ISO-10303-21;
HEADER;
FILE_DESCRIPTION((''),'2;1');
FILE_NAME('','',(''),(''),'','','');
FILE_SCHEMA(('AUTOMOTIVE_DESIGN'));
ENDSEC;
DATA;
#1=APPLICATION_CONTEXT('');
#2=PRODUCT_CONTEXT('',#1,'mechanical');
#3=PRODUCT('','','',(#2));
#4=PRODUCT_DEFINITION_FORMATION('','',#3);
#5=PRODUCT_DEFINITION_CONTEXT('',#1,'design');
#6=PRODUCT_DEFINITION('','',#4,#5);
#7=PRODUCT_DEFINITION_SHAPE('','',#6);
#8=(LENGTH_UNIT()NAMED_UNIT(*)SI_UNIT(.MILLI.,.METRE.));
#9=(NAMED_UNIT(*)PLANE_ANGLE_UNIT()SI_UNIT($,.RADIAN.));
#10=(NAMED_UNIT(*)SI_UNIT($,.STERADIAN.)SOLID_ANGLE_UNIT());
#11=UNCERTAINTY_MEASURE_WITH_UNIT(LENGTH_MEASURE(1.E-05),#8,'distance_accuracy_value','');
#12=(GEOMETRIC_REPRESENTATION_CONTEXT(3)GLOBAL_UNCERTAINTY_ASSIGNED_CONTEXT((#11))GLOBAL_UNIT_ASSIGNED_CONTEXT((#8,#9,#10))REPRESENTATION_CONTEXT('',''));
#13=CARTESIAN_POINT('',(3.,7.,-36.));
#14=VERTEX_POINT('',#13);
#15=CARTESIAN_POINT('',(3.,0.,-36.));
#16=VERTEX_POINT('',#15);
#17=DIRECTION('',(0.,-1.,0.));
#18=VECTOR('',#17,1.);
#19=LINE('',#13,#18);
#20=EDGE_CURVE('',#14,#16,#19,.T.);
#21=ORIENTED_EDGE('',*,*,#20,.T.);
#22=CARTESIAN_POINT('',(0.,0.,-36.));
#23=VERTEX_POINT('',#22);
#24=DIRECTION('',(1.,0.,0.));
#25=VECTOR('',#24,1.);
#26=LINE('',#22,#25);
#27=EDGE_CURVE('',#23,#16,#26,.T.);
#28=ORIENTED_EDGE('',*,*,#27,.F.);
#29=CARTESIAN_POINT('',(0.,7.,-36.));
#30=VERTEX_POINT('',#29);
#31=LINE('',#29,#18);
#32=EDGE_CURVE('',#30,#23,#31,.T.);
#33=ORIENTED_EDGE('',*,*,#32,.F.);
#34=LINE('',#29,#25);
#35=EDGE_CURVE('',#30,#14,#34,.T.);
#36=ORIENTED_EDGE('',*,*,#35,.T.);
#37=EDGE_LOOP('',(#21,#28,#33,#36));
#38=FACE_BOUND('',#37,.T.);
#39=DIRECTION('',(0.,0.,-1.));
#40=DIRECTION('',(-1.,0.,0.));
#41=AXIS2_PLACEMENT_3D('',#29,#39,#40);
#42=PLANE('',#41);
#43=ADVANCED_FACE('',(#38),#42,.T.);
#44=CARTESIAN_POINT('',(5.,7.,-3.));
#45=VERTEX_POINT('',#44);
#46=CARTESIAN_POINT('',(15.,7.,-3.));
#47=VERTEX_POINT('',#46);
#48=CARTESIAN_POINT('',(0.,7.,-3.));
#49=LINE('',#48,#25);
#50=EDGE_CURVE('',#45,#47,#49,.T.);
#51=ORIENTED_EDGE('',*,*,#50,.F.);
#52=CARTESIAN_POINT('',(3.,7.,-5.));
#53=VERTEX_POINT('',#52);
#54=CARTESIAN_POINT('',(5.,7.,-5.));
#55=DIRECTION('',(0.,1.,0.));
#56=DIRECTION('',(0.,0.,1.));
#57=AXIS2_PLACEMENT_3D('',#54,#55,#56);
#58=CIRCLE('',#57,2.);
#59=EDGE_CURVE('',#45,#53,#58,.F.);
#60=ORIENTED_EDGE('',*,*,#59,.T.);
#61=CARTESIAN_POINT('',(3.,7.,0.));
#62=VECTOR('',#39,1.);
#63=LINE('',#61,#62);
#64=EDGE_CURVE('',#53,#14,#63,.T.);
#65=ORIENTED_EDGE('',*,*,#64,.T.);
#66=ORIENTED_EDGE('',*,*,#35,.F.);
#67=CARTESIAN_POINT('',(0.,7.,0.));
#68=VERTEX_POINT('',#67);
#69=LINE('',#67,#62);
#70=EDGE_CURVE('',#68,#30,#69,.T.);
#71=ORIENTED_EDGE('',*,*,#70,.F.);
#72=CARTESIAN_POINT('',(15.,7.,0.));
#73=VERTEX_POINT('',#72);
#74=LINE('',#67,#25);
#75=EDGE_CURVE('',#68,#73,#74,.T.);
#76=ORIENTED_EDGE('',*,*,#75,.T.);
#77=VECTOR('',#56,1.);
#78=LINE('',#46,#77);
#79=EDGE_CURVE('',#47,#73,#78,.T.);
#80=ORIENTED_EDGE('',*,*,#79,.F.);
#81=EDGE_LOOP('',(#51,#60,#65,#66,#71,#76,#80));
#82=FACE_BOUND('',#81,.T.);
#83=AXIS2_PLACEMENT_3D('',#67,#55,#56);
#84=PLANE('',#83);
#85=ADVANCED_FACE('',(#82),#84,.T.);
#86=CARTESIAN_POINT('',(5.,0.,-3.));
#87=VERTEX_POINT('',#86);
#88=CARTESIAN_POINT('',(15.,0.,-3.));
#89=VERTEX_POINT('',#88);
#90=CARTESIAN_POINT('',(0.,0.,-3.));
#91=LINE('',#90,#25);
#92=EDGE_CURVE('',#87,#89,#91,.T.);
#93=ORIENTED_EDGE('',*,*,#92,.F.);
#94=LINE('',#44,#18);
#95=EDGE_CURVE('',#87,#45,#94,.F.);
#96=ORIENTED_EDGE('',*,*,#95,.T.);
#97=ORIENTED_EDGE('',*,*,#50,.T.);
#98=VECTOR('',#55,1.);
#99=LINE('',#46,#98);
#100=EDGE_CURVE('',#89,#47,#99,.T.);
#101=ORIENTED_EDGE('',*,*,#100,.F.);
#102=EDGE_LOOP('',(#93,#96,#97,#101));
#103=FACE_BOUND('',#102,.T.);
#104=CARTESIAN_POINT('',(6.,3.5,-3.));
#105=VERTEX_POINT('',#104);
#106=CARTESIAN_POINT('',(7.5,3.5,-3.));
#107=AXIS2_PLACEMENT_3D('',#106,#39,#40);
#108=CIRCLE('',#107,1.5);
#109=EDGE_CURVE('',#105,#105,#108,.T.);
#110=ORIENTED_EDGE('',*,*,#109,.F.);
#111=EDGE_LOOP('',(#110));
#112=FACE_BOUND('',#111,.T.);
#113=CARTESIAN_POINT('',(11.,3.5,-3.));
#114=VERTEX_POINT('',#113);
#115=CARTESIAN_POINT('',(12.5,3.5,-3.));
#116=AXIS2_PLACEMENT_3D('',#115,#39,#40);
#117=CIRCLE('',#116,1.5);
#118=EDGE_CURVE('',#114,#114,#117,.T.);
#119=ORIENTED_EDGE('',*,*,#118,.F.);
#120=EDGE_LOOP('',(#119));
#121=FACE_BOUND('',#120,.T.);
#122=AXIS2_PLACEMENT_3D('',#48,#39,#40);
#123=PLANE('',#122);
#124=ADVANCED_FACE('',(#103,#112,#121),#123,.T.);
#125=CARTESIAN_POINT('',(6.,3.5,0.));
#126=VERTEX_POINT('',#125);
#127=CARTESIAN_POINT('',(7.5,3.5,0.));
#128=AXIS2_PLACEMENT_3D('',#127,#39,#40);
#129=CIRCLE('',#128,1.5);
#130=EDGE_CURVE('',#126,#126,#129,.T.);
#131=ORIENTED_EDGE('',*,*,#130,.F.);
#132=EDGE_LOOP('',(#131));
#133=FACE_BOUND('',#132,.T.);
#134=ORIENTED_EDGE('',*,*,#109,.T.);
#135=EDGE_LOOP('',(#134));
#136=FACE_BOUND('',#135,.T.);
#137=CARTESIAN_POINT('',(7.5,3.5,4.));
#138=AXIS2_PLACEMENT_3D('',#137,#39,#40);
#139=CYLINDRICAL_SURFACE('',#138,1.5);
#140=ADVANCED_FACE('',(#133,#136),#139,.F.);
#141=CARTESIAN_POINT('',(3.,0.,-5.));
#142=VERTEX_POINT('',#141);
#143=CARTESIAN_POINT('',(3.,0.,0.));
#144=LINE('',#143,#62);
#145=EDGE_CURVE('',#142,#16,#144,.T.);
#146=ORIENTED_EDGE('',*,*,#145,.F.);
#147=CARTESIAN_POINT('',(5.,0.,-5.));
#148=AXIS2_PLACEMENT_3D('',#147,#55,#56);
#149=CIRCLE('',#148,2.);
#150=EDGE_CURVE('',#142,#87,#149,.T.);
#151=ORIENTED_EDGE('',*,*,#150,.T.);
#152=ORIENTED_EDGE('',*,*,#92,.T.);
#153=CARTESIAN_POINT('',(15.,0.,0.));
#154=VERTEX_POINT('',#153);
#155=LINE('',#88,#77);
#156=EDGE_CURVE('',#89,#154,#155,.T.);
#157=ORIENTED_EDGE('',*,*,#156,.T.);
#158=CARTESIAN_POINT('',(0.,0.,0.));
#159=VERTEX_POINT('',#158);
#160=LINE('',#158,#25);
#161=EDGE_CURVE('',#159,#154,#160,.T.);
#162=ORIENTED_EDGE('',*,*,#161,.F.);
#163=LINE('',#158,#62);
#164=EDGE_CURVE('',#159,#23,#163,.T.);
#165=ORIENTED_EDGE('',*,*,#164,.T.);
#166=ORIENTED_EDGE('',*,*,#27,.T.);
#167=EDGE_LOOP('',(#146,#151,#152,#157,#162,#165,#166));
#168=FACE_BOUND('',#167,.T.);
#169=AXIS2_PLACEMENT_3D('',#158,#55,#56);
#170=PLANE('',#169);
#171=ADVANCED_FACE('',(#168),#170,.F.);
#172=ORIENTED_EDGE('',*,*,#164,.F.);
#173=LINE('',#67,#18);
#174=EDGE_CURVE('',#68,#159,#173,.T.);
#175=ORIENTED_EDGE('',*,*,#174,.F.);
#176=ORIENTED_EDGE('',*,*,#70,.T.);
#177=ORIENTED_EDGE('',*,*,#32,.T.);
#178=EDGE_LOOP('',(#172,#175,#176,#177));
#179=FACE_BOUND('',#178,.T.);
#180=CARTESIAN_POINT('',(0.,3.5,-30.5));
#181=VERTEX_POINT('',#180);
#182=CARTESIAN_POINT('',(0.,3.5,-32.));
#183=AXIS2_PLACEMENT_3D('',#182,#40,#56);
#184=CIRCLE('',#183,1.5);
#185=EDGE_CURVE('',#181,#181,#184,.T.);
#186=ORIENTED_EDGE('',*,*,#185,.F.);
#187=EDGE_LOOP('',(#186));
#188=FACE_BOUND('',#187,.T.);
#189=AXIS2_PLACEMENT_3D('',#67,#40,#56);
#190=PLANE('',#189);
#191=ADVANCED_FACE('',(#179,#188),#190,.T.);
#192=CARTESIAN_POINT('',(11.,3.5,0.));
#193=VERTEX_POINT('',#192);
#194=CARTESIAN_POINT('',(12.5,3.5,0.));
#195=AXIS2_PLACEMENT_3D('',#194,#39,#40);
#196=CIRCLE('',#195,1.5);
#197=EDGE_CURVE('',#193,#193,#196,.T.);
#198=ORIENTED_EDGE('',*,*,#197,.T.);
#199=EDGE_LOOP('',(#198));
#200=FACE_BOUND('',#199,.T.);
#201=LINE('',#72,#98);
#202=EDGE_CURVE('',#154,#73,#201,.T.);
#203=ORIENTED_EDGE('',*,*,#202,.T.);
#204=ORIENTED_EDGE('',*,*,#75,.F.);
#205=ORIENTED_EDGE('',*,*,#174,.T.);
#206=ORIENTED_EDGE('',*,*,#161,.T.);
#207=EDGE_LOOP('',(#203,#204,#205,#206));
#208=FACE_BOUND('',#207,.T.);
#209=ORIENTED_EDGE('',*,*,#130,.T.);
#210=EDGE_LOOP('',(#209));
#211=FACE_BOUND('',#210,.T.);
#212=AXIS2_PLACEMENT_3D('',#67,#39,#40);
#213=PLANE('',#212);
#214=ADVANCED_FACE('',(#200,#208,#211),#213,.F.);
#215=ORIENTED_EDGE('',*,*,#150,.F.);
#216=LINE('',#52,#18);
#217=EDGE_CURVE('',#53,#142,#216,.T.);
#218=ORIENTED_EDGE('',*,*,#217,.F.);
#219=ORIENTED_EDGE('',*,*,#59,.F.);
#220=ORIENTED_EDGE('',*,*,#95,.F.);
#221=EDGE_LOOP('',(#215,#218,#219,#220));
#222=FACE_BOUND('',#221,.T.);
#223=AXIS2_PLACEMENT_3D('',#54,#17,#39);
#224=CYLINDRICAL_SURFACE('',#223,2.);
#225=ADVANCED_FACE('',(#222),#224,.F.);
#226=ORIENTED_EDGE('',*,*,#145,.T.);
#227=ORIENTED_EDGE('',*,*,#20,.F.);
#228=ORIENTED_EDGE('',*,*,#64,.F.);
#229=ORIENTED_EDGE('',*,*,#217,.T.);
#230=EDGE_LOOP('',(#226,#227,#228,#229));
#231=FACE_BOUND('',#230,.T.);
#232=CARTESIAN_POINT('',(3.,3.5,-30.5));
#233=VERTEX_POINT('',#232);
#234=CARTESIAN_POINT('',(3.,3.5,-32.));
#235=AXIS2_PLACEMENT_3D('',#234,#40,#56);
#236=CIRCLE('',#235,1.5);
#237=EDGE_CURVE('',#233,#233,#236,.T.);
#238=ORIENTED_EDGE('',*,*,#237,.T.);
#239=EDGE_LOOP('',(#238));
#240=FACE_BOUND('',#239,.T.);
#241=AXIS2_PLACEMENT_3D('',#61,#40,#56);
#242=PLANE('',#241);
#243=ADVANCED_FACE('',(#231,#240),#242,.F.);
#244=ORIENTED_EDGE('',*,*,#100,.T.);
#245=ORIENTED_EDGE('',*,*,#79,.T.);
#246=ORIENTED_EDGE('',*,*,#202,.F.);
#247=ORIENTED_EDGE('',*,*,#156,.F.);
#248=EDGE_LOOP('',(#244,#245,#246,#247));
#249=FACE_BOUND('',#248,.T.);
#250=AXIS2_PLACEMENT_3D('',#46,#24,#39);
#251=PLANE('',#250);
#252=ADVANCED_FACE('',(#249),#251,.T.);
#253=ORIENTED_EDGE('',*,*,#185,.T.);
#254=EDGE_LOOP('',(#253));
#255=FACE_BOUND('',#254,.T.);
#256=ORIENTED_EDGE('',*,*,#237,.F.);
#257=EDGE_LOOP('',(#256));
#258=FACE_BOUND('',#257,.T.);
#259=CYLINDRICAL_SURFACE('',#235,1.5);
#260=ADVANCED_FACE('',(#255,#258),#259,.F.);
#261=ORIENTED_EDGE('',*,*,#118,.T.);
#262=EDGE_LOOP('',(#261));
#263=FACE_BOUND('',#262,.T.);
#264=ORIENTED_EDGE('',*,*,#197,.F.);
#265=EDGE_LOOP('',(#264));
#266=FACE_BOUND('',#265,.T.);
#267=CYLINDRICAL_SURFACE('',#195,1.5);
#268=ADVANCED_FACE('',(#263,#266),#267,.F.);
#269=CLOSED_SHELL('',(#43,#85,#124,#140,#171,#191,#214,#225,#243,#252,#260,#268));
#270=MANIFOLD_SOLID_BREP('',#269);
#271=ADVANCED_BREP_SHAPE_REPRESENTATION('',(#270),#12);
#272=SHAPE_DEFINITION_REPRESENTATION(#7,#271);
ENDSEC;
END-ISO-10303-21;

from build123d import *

# Parameters (mm, degrees)
BOSS_EXTRUDE1_DEPTH = 7
FILLET1_R           = 2
SKETCH2_R           = 1.5
CUT_EXTRUDE1_DEPTH  = 7
SKETCH3_W           = 5
SKETCH3_H           = 7
BOSS_EXTRUDE2_DEPTH = 3
SKETCH4_R           = 1.5
CUT_EXTRUDE2_DEPTH  = 3
SKETCH5_R           = 1.5
CUT_EXTRUDE3_DEPTH  = 3


with BuildPart() as part:
    # Sketch1 → Boss-Extrude1 (new body)
    with BuildSketch(Plane(origin=(0, 0, 0), x_dir=(1, 0, 0), z_dir=(0, 1, 0))):
        Polygon((0, 0), (10, 0), (10, 3), (3, 3), (3, 36), (0, 36), align=None)
    extrude(amount=BOSS_EXTRUDE1_DEPTH)

    # Fillet1
    fillet1_edges = [part.edges().sort_by_distance(p)[0] for p in [
        (3, 3.5, -3),
    ]]
    fillet(fillet1_edges, radius=FILLET1_R)

    # Sketch2 → Cut-Extrude1 (cut)
    with BuildSketch(Plane(origin=(0, 0, -3), x_dir=(-1, 0, 0), z_dir=(0, 0, -1))):
        with Locations((-7.5, 3.5)):
            Circle(SKETCH2_R)
    extrude(amount=-CUT_EXTRUDE1_DEPTH, mode=Mode.SUBTRACT)

    # Sketch3 → Boss-Extrude2 (add)
    with BuildSketch(Plane.XY):
        with Locations((12.5, 3.5)):
            Rectangle(SKETCH3_W, SKETCH3_H)
    extrude(amount=-BOSS_EXTRUDE2_DEPTH)

    # Sketch4 → Cut-Extrude2 (cut)
    with BuildSketch(Plane(origin=(0, 0, -3), x_dir=(-1, 0, 0), z_dir=(0, 0, -1))):
        with Locations((-12.5, 3.5)):
            Circle(SKETCH4_R)
    extrude(amount=-CUT_EXTRUDE2_DEPTH, mode=Mode.SUBTRACT)

    # Sketch5 → Cut-Extrude3 (cut)
    with BuildSketch(Plane.ZY):
        with Locations((-32, 3.5)):
            Circle(SKETCH5_R)
    extrude(amount=-CUT_EXTRUDE3_DEPTH, mode=Mode.SUBTRACT)


solid = part.part
